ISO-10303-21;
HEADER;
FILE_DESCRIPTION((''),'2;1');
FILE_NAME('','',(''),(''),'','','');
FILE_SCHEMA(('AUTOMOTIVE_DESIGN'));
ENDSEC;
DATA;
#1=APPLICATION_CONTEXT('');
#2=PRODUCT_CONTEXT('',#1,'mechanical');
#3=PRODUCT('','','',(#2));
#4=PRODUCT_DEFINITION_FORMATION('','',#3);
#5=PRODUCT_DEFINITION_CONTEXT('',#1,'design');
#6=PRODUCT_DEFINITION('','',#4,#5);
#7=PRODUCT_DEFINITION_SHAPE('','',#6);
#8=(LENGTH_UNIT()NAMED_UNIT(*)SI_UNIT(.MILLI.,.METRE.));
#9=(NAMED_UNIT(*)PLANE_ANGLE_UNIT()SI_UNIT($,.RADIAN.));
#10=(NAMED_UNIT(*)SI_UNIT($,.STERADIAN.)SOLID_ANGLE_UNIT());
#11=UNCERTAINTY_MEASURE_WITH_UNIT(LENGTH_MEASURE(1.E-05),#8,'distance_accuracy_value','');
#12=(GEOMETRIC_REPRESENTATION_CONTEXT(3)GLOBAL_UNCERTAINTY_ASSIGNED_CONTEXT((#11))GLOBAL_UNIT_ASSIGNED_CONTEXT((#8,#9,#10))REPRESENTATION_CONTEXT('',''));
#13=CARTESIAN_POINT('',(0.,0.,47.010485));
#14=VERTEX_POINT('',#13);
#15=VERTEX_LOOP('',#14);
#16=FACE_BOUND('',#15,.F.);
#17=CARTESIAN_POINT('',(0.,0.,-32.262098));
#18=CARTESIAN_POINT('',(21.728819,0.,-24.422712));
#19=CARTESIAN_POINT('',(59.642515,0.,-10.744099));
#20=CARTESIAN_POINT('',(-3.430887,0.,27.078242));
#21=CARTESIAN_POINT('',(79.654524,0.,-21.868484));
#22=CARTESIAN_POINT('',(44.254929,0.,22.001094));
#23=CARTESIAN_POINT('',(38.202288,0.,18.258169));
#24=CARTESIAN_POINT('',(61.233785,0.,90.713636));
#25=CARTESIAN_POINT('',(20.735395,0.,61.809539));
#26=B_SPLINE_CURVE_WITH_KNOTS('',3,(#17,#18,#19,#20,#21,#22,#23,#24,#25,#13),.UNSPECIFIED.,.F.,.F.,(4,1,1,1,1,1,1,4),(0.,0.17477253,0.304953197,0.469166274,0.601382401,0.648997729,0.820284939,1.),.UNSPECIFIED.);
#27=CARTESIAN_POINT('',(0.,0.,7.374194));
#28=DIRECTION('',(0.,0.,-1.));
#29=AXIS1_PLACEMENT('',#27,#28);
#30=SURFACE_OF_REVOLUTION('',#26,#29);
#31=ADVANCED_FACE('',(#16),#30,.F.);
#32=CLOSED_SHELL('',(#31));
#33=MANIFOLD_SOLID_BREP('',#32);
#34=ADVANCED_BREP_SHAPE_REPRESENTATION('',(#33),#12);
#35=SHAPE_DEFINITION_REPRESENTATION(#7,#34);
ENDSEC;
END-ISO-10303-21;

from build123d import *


with BuildPart() as f1:
    # F0 (on Front) → F1 (revolve)
    with BuildSketch(Plane.XZ):
        with BuildLine():
            Line((0, 47.0104850829), (0, -32.2620980442))
            add(Edge.make_bspline(
                [(0, -32.2620980442), (21.7288186094, -24.4227120359), (59.6425154284, -10.7440988674), (-3.4308865317, 27.0782417581), (79.6545244071, -21.8684835498), (44.254928692, 22.0010936188), (38.2022879733, 18.2581691843), (61.2337854658, 90.7136360895), (20.7353949906, 61.8095390947), (0, 47.0104850829)],
                knots=[0, 0, 0, 0, 0.17477253, 0.3049531975, 0.4691662741, 0.6013824011, 0.6489977293, 0.8202849387, 1, 1, 1, 1], degree=3))
        make_face()
    revolve(axis=Axis((0, 0, 7.3741935194), (0, 0, -1)))


solid = f1.part
